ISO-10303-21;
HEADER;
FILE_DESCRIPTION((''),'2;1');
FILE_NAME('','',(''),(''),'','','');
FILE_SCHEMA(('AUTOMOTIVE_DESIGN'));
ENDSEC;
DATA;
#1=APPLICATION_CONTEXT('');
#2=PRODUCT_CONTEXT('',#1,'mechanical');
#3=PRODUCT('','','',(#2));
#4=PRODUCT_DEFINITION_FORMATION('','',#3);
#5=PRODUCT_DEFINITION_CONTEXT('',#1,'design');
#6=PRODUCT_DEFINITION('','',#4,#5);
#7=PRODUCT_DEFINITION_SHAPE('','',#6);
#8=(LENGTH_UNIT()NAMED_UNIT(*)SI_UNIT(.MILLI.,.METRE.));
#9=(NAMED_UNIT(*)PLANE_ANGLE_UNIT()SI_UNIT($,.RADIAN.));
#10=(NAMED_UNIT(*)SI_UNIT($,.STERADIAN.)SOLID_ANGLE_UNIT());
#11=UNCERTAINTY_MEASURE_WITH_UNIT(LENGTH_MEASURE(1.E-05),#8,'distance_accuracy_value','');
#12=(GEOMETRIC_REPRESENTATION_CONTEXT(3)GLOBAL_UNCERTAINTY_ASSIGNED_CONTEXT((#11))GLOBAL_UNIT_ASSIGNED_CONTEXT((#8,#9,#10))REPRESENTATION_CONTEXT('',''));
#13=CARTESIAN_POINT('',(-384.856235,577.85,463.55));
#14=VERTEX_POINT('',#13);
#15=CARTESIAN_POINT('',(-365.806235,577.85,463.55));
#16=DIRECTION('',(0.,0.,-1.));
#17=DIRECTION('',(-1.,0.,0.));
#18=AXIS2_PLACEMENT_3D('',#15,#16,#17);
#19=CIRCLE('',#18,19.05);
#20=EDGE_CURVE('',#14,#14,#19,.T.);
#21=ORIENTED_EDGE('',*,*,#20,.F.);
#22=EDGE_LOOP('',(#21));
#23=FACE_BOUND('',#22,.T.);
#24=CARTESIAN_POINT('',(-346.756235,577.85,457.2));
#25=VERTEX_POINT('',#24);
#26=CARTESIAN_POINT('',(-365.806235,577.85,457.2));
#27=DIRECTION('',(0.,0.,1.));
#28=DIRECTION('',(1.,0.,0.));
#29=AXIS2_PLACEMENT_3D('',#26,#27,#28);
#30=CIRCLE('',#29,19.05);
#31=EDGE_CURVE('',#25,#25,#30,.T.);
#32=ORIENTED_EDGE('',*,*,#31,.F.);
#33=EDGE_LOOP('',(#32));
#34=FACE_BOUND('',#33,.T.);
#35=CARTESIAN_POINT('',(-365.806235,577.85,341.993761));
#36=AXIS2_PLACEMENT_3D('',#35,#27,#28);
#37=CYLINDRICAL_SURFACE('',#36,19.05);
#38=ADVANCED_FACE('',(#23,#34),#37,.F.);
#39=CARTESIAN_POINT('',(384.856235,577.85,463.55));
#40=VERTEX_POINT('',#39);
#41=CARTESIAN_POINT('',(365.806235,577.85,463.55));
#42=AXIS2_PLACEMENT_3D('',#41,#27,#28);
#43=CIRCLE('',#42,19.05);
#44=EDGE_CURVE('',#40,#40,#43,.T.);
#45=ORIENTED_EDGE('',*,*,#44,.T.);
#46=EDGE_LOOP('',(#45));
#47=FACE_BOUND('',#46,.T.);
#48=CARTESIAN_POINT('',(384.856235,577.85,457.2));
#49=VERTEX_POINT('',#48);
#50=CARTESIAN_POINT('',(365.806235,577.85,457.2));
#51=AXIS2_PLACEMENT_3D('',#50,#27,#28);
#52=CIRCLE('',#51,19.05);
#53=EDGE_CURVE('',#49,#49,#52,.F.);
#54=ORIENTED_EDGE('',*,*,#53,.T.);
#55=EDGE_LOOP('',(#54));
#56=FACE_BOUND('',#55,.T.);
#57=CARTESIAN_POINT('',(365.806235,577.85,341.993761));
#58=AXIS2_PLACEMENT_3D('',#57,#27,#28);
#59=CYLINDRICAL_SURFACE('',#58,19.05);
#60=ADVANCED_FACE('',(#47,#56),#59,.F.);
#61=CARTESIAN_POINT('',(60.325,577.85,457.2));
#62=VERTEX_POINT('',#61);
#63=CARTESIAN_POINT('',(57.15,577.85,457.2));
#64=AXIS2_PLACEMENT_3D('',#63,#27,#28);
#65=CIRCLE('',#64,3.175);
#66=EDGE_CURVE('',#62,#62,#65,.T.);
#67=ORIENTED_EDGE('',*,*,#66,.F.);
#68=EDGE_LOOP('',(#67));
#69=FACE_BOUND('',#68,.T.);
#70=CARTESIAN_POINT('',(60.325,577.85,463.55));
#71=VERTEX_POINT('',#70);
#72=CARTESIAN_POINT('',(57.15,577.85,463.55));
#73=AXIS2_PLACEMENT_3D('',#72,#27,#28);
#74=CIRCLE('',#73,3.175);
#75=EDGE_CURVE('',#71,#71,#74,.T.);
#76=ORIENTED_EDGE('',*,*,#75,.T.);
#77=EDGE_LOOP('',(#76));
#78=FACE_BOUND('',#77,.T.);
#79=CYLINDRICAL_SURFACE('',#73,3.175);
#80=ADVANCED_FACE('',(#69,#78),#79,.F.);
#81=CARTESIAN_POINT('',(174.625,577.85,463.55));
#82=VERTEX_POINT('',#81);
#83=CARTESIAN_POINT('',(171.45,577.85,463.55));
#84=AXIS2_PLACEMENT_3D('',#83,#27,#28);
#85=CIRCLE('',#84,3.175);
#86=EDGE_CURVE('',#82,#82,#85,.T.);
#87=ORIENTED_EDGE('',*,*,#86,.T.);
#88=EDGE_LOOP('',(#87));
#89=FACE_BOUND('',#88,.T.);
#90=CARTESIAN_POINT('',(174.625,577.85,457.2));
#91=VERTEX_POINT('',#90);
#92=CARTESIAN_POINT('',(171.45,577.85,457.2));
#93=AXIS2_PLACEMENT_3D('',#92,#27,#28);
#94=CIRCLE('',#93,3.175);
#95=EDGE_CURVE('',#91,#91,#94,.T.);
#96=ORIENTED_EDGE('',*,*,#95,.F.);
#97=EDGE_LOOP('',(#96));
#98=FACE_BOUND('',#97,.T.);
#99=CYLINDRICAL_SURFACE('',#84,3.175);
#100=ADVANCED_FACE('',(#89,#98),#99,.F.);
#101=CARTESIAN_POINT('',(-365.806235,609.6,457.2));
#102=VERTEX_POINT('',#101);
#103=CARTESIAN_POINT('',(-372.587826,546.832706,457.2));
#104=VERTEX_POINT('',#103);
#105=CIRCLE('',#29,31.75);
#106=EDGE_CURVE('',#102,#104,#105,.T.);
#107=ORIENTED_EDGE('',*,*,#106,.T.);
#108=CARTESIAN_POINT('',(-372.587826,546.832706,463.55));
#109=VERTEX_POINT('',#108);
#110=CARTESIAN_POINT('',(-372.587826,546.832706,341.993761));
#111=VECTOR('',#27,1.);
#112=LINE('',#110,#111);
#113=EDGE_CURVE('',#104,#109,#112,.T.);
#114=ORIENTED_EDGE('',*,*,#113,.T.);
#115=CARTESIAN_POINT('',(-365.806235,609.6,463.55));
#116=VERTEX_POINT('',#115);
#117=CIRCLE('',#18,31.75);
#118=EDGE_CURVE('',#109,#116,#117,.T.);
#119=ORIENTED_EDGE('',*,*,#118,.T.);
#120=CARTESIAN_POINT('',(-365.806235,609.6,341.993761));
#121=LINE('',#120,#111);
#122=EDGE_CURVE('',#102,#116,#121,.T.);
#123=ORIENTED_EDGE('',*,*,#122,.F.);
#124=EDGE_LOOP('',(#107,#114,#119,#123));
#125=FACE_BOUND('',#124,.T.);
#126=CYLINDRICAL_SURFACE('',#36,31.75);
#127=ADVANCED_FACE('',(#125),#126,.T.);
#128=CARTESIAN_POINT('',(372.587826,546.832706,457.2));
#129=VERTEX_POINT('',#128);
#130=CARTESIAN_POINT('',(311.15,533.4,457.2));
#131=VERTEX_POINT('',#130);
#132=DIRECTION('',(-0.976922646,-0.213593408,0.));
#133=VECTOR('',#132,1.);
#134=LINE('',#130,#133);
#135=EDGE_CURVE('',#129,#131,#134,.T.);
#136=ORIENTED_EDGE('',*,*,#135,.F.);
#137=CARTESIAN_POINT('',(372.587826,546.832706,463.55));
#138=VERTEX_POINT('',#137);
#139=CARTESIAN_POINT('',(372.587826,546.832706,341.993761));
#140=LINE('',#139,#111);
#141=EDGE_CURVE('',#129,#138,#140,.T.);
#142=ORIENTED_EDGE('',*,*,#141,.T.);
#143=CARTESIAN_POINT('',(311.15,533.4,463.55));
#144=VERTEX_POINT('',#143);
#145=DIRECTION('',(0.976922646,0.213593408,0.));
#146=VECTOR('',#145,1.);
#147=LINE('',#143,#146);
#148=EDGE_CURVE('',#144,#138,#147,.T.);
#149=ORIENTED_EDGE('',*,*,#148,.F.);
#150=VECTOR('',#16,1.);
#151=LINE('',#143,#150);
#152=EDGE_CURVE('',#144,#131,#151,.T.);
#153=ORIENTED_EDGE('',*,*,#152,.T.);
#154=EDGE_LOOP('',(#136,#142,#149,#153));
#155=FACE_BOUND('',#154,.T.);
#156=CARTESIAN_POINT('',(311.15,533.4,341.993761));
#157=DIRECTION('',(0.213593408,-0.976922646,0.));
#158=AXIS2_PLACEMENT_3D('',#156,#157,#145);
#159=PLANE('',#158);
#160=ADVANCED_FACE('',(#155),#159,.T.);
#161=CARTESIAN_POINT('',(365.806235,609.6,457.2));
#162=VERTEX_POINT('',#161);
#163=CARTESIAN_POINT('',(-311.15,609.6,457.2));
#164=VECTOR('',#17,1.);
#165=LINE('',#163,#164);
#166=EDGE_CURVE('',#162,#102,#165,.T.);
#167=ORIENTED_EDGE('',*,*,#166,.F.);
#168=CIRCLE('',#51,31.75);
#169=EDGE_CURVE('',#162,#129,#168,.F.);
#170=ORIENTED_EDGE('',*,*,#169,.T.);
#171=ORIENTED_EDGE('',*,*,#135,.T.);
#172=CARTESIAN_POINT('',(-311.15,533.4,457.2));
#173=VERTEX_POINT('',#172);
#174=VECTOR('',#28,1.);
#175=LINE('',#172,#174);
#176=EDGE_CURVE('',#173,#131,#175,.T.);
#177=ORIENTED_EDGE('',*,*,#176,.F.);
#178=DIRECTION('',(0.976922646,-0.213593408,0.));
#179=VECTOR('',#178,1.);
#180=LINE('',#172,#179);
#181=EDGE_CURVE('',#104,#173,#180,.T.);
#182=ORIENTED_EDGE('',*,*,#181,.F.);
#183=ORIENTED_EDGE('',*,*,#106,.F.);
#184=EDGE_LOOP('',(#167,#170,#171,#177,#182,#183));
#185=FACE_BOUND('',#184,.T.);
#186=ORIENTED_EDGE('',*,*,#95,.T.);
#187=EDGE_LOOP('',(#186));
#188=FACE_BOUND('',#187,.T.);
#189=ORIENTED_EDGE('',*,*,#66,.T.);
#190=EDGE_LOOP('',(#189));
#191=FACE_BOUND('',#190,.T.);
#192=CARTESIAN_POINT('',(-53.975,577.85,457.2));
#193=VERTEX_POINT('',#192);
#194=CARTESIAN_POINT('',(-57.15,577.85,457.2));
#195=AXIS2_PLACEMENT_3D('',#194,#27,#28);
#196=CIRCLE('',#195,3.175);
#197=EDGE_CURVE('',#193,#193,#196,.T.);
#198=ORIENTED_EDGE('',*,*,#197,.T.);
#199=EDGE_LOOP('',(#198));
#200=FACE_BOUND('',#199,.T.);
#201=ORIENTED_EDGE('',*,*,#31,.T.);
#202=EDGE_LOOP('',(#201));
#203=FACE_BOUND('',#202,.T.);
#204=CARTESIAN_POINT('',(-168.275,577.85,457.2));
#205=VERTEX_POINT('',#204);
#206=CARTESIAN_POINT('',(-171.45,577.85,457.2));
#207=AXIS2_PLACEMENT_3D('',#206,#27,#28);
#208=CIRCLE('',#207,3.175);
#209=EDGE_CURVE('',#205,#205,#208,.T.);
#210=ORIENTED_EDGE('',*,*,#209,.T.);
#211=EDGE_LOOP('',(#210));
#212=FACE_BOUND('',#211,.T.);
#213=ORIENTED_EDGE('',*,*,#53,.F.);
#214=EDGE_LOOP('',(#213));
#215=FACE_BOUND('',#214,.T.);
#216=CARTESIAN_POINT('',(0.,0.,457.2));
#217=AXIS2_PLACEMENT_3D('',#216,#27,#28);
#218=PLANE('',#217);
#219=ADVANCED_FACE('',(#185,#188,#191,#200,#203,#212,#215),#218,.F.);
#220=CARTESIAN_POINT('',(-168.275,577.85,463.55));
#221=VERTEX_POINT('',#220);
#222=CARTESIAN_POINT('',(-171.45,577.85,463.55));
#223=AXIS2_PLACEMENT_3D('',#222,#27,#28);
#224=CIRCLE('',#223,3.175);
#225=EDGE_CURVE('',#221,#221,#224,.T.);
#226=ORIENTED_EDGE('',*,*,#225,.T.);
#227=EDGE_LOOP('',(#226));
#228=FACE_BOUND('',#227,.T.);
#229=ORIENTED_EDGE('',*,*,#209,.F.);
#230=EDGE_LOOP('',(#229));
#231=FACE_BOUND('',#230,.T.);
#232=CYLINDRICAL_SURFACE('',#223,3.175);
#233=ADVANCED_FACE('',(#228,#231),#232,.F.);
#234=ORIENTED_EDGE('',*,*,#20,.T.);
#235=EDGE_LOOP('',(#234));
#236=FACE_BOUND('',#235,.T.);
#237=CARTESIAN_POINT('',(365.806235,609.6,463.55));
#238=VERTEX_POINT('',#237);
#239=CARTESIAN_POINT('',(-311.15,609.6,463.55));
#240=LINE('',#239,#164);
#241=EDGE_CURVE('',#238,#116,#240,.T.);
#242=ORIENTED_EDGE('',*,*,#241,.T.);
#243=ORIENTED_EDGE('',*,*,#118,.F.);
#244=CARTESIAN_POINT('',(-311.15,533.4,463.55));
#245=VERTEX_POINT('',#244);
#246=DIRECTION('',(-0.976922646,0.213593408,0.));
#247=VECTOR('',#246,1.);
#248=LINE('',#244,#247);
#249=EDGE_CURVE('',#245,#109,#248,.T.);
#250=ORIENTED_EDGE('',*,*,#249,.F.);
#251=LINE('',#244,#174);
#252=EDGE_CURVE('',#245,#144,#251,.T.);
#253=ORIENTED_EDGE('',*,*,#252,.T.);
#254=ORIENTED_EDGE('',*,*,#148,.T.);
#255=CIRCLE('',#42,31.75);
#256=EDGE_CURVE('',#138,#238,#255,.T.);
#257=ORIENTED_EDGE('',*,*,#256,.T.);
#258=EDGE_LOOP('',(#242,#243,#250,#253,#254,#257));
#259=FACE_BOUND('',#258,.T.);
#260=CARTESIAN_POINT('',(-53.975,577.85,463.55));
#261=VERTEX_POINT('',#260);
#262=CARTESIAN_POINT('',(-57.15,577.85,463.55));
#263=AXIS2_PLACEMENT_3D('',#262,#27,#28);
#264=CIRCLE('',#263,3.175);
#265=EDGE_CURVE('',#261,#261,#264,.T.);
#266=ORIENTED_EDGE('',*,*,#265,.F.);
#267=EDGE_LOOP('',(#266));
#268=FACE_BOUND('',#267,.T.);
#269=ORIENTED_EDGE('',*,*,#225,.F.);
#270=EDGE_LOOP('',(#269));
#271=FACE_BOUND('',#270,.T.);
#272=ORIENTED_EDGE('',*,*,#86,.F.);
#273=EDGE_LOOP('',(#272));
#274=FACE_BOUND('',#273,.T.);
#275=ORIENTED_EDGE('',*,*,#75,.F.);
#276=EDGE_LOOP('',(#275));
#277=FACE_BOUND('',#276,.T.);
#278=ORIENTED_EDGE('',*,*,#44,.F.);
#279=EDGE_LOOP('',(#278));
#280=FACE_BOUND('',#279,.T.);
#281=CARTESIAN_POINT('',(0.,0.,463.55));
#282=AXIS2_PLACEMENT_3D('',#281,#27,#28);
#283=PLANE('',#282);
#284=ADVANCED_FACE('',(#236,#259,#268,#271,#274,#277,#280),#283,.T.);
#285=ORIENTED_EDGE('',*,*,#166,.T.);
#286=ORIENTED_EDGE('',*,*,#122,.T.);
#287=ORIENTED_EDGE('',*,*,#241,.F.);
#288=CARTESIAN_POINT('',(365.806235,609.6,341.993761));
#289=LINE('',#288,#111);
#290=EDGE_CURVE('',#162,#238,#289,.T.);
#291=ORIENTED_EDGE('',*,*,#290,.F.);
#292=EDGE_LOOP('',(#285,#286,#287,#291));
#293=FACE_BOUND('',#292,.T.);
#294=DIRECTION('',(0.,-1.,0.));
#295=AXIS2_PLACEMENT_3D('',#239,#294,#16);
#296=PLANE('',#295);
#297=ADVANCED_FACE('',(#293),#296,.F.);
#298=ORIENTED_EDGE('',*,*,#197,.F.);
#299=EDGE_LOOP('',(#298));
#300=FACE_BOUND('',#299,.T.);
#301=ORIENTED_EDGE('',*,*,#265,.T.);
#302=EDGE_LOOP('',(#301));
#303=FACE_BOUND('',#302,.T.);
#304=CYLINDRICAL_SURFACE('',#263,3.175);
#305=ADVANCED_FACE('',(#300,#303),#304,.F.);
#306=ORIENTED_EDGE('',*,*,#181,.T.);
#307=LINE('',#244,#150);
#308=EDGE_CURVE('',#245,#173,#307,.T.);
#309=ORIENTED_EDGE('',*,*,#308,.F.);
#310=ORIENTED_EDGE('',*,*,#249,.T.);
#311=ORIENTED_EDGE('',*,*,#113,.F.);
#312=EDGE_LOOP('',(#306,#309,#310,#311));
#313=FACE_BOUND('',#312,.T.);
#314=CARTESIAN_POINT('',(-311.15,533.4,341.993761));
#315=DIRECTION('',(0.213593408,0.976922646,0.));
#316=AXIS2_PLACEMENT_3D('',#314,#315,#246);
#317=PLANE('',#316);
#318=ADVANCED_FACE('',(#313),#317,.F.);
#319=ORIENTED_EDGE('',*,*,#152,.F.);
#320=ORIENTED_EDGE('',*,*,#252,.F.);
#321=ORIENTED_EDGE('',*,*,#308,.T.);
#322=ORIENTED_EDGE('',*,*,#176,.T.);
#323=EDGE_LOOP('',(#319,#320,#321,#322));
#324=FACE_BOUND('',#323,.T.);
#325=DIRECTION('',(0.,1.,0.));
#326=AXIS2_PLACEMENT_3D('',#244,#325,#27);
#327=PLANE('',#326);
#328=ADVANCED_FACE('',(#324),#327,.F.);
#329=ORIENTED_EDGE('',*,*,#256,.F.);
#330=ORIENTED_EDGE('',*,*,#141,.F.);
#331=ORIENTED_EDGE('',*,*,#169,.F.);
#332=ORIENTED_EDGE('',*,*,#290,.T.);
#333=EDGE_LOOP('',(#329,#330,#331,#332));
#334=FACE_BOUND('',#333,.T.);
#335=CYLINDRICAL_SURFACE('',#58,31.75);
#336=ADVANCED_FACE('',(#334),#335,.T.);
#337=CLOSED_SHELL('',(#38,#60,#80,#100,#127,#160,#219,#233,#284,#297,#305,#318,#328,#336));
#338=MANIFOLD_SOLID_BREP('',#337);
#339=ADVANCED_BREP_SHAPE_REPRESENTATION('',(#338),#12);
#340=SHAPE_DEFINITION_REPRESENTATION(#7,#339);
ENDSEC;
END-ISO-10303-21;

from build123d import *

# Parameters (mm, degrees)
SKETCH1_W                   = 622.3
SKETCH1_H                   = 76.2
BOSS_EXTRUDE1_DEPTH         = 6.35
F_1_4_0_25_DIAMETER_HOLE1_D = 6.35
LPATTERN1_COUNT             = 4
LPATTERN1_PITCH             = 114.3
SKETCH4_R                   = 19.05
BOSS_EXTRUDE3_DEPTH         = 6.35


with BuildPart() as part:
    # Sketch1 → Boss-Extrude1 (new body)
    with BuildSketch(Plane.XY.offset(457.2)):
        with Locations((0, 571.5)):
            Rectangle(SKETCH1_W, SKETCH1_H)
    extrude(amount=BOSS_EXTRUDE1_DEPTH)

    # 1/4 (0.25) Diameter Hole1 (through all)
    with Locations(Plane.XY.offset(463.55)):
        with Locations((171.45, 577.85)):
            f_1_4_0_25_diameter_hole1 = Hole(F_1_4_0_25_DIAMETER_HOLE1_D / 2)

    # LPattern1: 1/4 (0.25) Diameter Hole1 ×4
    with Locations(*[(-i * LPATTERN1_PITCH, 0, 0) for i in range(1, LPATTERN1_COUNT)]):
        add(f_1_4_0_25_diameter_hole1, mode=Mode.SUBTRACT)

    # Sketch4 → Boss-Extrude3 (add)
    with BuildSketch(Plane.XY.offset(463.55)):
        with BuildLine():
            Line((311.15, 533.4), (372.587826171, 546.832705994))
            ThreePointArc((372.587826171, 546.832705994), (397.37252749, 581.26052894), (365.806235462, 609.6))
            Line((365.806235462, 609.6), (311.15, 609.6))
            Line((311.15, 609.6), (311.15, 533.4))
        make_face()
        with Locations((365.806235462, 577.85)):
            Circle(SKETCH4_R, mode=Mode.SUBTRACT)
    boss_extrude3 = extrude(amount=-BOSS_EXTRUDE3_DEPTH)

    # Mirror1: Boss-Extrude3 across plane
    add(boss_extrude3.mirror(Plane(origin=(0, 0, 0), x_dir=(0, 0, 1), z_dir=(1, 0, 0))))


solid = part.part
